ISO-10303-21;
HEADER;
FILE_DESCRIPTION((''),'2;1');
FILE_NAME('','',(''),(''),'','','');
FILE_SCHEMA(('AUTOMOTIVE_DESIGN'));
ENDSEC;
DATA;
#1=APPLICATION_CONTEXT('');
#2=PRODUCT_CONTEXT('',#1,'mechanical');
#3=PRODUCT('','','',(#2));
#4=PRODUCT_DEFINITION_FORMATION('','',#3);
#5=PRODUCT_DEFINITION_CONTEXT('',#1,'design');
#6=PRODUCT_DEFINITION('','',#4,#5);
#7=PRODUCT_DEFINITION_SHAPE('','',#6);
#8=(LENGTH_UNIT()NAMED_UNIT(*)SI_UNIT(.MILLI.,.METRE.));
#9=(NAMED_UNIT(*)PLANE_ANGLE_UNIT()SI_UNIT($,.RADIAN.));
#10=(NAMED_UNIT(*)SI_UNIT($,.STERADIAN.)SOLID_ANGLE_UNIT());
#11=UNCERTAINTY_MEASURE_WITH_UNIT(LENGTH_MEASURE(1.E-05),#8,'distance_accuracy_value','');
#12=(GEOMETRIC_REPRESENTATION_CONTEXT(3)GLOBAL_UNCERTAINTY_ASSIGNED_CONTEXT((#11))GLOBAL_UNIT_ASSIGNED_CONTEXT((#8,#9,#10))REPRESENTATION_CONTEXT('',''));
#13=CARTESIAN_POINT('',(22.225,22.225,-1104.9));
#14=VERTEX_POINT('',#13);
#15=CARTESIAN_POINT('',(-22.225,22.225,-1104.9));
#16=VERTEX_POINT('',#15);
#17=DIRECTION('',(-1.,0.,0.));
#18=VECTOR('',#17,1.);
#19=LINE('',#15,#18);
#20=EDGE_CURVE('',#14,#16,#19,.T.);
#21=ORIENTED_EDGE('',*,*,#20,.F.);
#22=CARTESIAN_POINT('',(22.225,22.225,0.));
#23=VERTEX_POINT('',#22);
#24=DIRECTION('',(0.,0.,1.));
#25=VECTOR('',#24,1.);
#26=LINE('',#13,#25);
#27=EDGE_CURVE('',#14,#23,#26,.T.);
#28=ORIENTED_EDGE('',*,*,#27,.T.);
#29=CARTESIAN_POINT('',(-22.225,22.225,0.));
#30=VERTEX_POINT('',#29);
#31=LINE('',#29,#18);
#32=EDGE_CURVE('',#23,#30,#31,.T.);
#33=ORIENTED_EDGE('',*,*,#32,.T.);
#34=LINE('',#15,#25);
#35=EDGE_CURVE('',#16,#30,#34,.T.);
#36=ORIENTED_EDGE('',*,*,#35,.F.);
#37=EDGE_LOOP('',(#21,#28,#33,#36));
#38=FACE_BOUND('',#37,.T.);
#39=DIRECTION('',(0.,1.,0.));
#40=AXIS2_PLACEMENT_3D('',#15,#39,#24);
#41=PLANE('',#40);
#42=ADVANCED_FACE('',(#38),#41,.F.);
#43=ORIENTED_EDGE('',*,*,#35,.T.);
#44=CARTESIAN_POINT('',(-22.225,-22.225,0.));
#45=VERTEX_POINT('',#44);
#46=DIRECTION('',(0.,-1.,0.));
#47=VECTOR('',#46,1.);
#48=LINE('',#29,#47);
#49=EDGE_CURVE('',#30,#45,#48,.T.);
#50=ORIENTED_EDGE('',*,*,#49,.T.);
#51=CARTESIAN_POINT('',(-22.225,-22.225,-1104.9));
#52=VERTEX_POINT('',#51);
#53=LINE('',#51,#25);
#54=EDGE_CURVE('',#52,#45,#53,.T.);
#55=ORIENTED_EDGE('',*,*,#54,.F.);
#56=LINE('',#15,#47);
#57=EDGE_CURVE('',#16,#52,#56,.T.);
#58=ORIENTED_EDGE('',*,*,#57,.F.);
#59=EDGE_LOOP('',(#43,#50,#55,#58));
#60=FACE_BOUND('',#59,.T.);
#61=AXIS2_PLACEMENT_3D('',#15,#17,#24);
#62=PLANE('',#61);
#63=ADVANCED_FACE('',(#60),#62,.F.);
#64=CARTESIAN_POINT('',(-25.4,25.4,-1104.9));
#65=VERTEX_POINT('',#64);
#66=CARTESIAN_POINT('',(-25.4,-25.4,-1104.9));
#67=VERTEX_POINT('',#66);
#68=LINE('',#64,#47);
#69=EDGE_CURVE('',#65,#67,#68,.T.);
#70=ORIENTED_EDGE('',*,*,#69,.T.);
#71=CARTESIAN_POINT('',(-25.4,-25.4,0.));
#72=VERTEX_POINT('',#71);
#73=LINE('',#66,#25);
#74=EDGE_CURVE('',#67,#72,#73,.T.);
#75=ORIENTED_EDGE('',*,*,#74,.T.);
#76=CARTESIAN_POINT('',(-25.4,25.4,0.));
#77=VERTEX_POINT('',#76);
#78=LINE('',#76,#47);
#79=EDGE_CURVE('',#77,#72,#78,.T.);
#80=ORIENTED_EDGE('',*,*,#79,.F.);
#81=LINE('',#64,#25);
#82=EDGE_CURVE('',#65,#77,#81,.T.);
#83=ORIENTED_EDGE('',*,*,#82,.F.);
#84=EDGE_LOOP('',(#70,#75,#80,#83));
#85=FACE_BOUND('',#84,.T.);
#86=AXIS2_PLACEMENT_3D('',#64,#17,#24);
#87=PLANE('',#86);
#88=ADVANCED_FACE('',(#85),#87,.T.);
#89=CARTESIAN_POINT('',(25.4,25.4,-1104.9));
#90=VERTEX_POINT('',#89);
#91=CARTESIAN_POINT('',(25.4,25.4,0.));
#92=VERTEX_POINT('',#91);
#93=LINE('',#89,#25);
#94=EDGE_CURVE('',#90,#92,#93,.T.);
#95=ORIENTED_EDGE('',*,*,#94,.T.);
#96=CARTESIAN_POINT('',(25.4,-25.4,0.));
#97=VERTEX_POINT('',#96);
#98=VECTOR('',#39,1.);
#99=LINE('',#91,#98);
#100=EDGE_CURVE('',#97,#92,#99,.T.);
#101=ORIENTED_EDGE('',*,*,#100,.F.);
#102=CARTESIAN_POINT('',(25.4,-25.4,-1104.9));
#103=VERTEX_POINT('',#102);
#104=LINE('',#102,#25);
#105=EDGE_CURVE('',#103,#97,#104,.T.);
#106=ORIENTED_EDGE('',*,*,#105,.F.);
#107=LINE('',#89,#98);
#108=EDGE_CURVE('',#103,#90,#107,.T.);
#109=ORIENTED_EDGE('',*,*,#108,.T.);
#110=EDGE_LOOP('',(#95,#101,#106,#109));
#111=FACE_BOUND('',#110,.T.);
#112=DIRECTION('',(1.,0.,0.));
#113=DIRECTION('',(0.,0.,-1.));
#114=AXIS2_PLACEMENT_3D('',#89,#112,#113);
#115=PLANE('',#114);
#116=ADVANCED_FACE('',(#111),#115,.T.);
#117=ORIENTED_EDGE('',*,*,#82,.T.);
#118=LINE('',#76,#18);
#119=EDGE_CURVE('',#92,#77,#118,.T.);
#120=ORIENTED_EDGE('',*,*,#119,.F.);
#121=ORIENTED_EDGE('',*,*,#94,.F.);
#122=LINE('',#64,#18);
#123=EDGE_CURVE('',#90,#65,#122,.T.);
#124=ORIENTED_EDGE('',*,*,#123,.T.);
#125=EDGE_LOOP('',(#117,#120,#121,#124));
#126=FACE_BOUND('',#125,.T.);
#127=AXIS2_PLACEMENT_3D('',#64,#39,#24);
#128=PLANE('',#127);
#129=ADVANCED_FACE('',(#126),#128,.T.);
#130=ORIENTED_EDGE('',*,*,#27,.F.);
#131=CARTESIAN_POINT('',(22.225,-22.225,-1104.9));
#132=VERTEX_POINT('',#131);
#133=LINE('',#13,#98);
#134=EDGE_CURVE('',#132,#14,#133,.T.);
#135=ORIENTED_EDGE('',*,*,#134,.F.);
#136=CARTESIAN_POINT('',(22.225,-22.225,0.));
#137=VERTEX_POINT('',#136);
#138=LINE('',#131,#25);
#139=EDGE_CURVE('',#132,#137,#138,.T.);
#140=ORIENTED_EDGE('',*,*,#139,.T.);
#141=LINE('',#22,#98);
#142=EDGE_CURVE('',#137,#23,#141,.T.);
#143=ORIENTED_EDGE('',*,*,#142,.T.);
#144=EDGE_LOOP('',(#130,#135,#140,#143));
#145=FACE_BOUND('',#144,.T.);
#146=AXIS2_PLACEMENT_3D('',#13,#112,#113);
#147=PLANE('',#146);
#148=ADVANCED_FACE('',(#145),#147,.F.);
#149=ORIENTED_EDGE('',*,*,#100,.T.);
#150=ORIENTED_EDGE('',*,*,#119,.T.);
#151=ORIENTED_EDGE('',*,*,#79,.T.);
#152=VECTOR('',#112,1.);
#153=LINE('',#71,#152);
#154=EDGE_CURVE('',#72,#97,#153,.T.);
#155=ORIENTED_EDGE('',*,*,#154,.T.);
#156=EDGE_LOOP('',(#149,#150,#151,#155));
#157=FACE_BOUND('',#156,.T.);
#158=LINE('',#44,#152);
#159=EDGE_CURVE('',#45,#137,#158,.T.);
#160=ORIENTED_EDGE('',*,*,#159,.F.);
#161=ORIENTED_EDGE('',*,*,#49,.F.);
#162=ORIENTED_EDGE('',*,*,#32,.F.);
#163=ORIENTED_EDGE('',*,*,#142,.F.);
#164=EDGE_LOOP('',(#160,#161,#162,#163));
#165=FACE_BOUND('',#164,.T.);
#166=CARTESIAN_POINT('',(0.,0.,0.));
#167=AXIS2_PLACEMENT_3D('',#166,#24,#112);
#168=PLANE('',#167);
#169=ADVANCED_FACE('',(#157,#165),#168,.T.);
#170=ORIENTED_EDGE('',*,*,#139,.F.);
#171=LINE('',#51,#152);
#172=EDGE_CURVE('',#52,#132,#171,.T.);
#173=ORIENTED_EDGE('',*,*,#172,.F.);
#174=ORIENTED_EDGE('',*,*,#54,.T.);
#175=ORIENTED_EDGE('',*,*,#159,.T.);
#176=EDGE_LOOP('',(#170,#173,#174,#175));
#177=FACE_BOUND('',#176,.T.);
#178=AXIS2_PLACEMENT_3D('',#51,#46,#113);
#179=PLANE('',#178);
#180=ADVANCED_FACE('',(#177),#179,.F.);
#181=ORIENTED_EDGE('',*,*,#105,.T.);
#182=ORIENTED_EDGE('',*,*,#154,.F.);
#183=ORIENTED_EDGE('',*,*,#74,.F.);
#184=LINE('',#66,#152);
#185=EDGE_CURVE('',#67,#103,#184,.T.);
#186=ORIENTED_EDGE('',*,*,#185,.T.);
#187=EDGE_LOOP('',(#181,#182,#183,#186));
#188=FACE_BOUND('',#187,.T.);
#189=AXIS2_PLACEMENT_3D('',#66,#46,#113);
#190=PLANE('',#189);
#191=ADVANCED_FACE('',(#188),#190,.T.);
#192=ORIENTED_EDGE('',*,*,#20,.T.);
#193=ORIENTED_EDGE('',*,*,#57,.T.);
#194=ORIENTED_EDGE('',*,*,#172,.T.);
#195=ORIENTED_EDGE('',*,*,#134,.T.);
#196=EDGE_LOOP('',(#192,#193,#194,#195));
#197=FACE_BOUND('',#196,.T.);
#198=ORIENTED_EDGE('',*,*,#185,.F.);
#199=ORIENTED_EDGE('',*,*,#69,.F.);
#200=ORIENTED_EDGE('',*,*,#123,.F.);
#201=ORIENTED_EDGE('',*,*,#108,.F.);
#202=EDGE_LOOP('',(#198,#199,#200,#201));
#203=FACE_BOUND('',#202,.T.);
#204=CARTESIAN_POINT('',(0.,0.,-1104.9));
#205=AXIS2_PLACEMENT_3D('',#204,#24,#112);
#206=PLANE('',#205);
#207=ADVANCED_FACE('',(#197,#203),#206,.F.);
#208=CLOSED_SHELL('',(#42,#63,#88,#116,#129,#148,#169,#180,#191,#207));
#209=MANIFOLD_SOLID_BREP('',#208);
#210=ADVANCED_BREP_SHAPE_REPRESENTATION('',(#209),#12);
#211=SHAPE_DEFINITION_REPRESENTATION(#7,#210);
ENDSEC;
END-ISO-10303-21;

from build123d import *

# Parameters (mm, degrees)
SKETCH1_W           = 50.8
SKETCH1_H           = 50.8
SKETCH1_W_2         = 44.45
SKETCH1_H_2         = 44.45
BOSS_EXTRUDE1_DEPTH = 1104.9


with BuildPart() as part:
    # Sketch1 → Boss-Extrude1 (new body)
    with BuildSketch(Plane.XY):
        Rectangle(SKETCH1_W, SKETCH1_H)
        Rectangle(SKETCH1_W_2, SKETCH1_H_2, mode=Mode.SUBTRACT)
    extrude(amount=-BOSS_EXTRUDE1_DEPTH)


solid = part.part
